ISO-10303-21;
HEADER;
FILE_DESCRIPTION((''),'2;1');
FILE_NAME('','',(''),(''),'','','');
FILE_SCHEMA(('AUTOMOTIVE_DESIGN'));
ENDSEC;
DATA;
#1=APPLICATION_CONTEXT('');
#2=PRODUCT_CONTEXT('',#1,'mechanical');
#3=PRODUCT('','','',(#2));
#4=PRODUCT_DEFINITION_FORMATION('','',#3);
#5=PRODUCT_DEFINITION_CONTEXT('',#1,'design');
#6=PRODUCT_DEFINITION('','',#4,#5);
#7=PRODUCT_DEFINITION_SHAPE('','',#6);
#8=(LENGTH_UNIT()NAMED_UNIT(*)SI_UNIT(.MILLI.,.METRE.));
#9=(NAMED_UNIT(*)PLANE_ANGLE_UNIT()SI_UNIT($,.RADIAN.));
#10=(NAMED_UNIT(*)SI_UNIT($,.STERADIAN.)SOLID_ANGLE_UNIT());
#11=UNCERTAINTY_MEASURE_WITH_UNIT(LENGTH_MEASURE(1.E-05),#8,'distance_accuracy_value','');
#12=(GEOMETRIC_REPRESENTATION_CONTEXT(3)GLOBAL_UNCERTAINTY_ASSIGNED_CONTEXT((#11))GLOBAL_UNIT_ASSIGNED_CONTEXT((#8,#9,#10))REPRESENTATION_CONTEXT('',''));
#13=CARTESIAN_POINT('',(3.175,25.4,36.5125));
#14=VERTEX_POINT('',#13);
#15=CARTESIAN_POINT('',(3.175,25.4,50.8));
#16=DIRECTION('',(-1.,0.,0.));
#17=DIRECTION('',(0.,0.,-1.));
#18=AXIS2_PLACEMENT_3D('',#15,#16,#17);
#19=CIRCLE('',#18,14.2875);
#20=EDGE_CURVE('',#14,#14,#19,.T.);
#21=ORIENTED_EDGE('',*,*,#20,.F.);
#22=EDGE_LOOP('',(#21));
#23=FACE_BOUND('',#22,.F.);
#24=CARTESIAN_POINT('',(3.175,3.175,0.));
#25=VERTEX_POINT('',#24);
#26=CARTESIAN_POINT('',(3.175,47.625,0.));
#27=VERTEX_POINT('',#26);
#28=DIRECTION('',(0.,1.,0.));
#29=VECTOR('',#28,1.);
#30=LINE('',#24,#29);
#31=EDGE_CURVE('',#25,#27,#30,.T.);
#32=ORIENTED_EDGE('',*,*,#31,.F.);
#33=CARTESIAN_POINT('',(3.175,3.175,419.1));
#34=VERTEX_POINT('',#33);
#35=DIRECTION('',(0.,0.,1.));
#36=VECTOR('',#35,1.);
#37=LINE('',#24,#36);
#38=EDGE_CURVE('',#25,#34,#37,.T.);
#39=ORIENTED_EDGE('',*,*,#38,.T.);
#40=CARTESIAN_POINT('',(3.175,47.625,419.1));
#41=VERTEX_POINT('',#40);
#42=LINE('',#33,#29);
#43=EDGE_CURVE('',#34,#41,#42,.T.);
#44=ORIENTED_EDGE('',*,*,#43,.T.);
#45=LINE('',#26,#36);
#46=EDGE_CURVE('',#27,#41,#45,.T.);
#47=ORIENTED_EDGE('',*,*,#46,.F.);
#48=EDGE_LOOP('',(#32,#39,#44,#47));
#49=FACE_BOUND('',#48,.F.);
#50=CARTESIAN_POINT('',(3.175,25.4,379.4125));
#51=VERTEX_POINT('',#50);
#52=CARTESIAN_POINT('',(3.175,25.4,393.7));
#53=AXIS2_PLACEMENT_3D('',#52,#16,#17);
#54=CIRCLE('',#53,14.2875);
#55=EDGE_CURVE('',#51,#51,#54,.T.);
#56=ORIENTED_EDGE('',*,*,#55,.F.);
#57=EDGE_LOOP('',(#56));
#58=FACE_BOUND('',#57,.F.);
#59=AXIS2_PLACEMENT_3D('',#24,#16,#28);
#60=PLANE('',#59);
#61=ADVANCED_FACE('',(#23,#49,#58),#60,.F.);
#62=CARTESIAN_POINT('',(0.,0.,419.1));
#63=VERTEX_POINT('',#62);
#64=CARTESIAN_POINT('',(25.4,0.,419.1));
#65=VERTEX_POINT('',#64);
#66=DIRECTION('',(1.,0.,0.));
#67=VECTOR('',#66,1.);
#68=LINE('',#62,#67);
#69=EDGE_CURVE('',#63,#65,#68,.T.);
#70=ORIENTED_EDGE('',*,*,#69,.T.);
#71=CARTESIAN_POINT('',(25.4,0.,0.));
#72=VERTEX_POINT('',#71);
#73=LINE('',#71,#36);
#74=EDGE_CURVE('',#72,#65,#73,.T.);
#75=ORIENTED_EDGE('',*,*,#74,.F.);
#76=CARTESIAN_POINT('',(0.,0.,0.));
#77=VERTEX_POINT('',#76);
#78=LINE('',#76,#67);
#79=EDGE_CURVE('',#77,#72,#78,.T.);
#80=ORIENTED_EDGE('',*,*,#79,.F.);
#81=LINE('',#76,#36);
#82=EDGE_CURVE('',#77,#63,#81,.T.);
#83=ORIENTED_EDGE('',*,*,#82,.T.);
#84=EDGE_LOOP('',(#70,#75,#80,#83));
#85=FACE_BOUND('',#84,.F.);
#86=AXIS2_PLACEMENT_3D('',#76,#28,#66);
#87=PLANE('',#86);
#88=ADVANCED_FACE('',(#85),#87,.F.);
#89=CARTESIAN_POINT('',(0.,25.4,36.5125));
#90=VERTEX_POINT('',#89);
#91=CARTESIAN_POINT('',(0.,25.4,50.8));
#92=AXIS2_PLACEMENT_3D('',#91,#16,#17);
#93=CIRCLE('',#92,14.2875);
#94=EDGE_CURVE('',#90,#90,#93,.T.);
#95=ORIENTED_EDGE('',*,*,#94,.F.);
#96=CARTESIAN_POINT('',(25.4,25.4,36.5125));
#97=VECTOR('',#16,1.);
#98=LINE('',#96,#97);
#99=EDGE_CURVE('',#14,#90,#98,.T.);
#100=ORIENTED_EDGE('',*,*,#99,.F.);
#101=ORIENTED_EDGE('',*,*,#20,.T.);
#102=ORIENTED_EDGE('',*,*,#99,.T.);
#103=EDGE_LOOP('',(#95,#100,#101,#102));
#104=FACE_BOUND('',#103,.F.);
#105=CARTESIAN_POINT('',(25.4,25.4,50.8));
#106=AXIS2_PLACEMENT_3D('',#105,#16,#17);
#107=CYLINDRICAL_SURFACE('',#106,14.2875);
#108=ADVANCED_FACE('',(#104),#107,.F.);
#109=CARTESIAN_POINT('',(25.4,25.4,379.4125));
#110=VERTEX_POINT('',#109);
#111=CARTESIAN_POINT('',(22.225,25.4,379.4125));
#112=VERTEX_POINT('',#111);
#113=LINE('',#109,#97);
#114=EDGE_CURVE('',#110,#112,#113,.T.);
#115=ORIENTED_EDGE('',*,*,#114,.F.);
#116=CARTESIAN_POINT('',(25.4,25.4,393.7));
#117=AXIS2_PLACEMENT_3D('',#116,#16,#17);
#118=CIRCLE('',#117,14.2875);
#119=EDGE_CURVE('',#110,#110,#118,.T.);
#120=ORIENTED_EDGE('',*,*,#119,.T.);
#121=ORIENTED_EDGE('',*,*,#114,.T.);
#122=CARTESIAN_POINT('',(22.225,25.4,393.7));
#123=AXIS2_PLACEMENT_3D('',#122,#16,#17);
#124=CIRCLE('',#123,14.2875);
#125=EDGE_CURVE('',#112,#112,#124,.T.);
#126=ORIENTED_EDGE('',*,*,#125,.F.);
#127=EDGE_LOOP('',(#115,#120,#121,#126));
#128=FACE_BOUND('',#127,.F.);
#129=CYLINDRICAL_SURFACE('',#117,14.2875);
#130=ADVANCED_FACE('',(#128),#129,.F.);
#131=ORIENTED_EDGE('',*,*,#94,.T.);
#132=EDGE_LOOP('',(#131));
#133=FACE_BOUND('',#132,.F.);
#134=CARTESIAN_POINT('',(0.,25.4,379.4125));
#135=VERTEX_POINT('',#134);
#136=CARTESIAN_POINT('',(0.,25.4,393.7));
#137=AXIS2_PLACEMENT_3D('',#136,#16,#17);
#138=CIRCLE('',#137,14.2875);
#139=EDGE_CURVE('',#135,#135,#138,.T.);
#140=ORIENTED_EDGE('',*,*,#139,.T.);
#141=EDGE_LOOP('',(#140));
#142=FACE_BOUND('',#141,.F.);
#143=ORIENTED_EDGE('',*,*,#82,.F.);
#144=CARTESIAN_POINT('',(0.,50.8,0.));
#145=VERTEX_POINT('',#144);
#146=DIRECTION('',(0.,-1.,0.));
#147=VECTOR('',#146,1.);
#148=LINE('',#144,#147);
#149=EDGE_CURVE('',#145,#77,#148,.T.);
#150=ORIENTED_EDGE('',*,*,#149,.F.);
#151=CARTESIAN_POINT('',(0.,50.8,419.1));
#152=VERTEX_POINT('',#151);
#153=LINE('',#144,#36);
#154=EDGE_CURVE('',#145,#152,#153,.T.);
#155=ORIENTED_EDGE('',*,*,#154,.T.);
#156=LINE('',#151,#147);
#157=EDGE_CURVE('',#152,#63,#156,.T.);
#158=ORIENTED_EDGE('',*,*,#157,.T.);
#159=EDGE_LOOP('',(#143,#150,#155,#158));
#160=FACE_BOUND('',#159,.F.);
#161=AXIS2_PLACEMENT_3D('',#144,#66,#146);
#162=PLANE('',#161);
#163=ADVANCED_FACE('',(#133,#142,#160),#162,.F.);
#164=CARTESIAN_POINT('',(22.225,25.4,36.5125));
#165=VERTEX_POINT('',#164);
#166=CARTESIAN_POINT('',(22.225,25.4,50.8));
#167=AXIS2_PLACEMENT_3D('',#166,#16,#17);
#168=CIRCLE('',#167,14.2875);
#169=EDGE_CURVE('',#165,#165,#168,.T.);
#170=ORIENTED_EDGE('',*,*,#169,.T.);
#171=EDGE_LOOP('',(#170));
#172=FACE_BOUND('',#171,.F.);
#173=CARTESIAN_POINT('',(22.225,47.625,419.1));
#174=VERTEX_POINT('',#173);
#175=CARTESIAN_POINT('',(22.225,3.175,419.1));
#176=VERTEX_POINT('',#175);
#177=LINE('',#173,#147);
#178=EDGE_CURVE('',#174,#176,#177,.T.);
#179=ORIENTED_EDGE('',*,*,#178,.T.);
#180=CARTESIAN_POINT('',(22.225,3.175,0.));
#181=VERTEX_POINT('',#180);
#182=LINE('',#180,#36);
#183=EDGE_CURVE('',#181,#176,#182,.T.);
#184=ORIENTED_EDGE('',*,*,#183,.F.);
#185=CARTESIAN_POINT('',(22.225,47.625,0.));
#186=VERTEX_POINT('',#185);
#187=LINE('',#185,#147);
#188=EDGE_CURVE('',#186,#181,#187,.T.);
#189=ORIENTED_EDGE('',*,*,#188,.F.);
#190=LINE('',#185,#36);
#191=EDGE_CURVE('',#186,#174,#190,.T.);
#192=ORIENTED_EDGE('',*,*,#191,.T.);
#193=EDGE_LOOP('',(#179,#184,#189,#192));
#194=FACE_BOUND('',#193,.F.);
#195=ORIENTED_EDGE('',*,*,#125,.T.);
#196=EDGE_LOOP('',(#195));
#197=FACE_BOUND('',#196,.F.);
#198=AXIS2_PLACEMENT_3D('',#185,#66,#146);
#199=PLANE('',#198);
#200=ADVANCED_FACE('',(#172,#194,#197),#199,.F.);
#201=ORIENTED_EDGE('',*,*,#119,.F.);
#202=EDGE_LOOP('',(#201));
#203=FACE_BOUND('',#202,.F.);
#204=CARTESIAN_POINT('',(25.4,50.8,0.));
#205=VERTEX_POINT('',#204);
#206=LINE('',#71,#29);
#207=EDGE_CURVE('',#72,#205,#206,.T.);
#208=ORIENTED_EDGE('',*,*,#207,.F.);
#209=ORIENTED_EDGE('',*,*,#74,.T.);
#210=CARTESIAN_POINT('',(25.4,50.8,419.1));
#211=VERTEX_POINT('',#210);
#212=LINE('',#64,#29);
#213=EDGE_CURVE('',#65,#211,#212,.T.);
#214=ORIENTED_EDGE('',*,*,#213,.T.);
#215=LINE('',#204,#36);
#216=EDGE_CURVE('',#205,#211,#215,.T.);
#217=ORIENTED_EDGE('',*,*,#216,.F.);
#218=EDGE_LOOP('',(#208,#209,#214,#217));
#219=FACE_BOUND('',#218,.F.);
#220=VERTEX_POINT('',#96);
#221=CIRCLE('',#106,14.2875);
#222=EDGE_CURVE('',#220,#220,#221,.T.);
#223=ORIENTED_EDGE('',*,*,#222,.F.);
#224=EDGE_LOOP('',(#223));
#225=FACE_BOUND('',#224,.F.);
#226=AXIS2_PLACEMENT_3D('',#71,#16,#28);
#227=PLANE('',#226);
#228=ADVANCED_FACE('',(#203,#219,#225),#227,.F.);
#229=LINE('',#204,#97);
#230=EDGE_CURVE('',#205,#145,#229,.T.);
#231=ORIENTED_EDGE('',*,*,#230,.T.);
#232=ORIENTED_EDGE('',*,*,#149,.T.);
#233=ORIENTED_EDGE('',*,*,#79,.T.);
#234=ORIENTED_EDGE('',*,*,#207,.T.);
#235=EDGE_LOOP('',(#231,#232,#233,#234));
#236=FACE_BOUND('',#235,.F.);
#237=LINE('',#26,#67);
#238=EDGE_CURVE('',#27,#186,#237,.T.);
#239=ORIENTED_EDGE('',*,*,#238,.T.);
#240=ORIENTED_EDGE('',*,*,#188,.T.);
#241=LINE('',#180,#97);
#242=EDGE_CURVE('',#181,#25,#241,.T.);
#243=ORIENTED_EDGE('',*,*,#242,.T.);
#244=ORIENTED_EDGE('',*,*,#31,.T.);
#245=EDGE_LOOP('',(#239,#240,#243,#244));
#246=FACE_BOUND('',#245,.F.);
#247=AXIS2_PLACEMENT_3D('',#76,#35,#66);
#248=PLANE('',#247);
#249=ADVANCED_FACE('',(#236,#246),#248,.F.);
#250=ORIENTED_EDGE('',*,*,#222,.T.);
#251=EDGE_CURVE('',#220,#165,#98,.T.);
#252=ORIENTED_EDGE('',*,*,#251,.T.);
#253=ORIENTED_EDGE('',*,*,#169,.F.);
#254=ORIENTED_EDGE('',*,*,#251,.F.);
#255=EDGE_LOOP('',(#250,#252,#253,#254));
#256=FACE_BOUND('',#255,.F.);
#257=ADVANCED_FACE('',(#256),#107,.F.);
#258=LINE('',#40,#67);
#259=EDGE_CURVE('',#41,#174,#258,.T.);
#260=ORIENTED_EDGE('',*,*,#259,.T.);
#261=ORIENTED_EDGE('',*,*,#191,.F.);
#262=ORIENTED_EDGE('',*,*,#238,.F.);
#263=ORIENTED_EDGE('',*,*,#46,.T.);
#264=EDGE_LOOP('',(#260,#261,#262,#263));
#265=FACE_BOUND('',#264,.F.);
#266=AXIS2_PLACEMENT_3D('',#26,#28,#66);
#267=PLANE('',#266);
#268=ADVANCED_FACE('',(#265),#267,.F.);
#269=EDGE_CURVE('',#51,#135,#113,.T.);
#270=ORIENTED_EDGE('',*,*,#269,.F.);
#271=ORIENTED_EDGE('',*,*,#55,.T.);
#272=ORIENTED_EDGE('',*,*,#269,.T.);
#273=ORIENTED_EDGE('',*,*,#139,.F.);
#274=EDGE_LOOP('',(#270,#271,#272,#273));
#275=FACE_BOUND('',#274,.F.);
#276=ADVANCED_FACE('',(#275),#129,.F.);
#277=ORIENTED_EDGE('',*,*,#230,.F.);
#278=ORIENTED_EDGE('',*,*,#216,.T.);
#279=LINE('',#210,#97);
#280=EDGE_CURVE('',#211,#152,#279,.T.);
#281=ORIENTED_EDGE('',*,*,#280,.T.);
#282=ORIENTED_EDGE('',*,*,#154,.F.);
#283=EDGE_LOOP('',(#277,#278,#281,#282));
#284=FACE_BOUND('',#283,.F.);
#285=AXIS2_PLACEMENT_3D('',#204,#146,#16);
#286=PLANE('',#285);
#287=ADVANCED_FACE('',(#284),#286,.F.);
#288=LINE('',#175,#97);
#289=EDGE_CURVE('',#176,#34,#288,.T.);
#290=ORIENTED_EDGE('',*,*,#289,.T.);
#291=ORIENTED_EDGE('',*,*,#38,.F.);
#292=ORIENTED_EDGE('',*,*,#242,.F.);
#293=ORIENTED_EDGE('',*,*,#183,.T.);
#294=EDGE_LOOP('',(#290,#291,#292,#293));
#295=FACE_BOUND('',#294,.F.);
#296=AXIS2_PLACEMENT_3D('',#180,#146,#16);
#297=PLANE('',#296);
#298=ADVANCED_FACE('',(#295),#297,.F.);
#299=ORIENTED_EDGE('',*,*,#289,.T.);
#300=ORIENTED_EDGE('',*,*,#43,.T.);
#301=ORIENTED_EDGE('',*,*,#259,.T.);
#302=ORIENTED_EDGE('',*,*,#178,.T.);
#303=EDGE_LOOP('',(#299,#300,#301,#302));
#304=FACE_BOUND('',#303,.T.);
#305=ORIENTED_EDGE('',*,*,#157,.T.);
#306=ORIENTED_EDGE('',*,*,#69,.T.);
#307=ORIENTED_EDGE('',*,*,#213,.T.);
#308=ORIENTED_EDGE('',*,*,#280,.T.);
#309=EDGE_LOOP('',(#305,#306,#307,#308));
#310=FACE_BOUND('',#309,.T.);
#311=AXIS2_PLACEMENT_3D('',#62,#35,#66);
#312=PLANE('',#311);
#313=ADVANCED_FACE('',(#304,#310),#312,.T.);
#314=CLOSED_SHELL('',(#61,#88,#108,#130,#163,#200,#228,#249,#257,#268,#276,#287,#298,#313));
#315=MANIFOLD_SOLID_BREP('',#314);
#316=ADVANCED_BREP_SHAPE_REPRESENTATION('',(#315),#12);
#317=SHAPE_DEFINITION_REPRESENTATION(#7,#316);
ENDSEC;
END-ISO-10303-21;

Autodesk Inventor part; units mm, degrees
sketch "Sketch1" plane through (0, 0, 0) normal (0, 0, 1) x (1, 0, 0)
  line L0 (0, 0) -> (25.4, 0)
  line L1 (25.4, 0) -> (25.4, 50.8)
  line L2 (25.4, 50.8) -> (0, 50.8)
  line L3 (0, 50.8) -> (0, 0)
  line L4 (3.175, 47.625) -> (22.225, 47.625)
  line L5 (22.225, 47.625) -> (22.225, 3.175)
  line L6 (22.225, 3.175) -> (3.175, 3.175)
  line L7 (3.175, 3.175) -> (3.175, 47.625)
  dimension "d0" = 25.4
  dimension "d1" = 50.8
  dimension "d2" = 3.175
extrude "Extrusion1" add sketch "Sketch1" along normal blind 419.1
sketch "Sketch2" plane through (25.4, 0, 0) normal (1, 0, 0) x (0, 0, -1)
  line L0 (-419.1, 50.8) -> (-419.1, 0) projected
  line L1 (0, 0) -> (0, 50.8) projected
  line L2 (0, 50.8) -> (-419.1, 50.8) projected
  point P0 (-393.7, 25.4)
  point P1 (-50.8, 25.4)
  dimension "d5" = 25.4
  dimension "d6" = 25.4
  dimension "d7" = 50.8
hole "Hole1" at (25.4, 25.4, 393.7) at (25.4, 25.4, 50.8) direction (-1, 0, 0) diameter 28.575 depth 25.4 tip angle 118
ref_plane "Work Plane1" through (0, 0, 209.55) normal (0, 0, 1) x (1, 0, 0)
ref_plane "Work Plane2" through (12.7, 0, 0) normal (1, 0, 0) x (0, 0, -1)
ref_plane "Work Plane3" through (0, 0, 304.8) normal (0, 0, 1) x (1, 0, 0)
properties part number "Frame Side" material "Aluminum 6061"
